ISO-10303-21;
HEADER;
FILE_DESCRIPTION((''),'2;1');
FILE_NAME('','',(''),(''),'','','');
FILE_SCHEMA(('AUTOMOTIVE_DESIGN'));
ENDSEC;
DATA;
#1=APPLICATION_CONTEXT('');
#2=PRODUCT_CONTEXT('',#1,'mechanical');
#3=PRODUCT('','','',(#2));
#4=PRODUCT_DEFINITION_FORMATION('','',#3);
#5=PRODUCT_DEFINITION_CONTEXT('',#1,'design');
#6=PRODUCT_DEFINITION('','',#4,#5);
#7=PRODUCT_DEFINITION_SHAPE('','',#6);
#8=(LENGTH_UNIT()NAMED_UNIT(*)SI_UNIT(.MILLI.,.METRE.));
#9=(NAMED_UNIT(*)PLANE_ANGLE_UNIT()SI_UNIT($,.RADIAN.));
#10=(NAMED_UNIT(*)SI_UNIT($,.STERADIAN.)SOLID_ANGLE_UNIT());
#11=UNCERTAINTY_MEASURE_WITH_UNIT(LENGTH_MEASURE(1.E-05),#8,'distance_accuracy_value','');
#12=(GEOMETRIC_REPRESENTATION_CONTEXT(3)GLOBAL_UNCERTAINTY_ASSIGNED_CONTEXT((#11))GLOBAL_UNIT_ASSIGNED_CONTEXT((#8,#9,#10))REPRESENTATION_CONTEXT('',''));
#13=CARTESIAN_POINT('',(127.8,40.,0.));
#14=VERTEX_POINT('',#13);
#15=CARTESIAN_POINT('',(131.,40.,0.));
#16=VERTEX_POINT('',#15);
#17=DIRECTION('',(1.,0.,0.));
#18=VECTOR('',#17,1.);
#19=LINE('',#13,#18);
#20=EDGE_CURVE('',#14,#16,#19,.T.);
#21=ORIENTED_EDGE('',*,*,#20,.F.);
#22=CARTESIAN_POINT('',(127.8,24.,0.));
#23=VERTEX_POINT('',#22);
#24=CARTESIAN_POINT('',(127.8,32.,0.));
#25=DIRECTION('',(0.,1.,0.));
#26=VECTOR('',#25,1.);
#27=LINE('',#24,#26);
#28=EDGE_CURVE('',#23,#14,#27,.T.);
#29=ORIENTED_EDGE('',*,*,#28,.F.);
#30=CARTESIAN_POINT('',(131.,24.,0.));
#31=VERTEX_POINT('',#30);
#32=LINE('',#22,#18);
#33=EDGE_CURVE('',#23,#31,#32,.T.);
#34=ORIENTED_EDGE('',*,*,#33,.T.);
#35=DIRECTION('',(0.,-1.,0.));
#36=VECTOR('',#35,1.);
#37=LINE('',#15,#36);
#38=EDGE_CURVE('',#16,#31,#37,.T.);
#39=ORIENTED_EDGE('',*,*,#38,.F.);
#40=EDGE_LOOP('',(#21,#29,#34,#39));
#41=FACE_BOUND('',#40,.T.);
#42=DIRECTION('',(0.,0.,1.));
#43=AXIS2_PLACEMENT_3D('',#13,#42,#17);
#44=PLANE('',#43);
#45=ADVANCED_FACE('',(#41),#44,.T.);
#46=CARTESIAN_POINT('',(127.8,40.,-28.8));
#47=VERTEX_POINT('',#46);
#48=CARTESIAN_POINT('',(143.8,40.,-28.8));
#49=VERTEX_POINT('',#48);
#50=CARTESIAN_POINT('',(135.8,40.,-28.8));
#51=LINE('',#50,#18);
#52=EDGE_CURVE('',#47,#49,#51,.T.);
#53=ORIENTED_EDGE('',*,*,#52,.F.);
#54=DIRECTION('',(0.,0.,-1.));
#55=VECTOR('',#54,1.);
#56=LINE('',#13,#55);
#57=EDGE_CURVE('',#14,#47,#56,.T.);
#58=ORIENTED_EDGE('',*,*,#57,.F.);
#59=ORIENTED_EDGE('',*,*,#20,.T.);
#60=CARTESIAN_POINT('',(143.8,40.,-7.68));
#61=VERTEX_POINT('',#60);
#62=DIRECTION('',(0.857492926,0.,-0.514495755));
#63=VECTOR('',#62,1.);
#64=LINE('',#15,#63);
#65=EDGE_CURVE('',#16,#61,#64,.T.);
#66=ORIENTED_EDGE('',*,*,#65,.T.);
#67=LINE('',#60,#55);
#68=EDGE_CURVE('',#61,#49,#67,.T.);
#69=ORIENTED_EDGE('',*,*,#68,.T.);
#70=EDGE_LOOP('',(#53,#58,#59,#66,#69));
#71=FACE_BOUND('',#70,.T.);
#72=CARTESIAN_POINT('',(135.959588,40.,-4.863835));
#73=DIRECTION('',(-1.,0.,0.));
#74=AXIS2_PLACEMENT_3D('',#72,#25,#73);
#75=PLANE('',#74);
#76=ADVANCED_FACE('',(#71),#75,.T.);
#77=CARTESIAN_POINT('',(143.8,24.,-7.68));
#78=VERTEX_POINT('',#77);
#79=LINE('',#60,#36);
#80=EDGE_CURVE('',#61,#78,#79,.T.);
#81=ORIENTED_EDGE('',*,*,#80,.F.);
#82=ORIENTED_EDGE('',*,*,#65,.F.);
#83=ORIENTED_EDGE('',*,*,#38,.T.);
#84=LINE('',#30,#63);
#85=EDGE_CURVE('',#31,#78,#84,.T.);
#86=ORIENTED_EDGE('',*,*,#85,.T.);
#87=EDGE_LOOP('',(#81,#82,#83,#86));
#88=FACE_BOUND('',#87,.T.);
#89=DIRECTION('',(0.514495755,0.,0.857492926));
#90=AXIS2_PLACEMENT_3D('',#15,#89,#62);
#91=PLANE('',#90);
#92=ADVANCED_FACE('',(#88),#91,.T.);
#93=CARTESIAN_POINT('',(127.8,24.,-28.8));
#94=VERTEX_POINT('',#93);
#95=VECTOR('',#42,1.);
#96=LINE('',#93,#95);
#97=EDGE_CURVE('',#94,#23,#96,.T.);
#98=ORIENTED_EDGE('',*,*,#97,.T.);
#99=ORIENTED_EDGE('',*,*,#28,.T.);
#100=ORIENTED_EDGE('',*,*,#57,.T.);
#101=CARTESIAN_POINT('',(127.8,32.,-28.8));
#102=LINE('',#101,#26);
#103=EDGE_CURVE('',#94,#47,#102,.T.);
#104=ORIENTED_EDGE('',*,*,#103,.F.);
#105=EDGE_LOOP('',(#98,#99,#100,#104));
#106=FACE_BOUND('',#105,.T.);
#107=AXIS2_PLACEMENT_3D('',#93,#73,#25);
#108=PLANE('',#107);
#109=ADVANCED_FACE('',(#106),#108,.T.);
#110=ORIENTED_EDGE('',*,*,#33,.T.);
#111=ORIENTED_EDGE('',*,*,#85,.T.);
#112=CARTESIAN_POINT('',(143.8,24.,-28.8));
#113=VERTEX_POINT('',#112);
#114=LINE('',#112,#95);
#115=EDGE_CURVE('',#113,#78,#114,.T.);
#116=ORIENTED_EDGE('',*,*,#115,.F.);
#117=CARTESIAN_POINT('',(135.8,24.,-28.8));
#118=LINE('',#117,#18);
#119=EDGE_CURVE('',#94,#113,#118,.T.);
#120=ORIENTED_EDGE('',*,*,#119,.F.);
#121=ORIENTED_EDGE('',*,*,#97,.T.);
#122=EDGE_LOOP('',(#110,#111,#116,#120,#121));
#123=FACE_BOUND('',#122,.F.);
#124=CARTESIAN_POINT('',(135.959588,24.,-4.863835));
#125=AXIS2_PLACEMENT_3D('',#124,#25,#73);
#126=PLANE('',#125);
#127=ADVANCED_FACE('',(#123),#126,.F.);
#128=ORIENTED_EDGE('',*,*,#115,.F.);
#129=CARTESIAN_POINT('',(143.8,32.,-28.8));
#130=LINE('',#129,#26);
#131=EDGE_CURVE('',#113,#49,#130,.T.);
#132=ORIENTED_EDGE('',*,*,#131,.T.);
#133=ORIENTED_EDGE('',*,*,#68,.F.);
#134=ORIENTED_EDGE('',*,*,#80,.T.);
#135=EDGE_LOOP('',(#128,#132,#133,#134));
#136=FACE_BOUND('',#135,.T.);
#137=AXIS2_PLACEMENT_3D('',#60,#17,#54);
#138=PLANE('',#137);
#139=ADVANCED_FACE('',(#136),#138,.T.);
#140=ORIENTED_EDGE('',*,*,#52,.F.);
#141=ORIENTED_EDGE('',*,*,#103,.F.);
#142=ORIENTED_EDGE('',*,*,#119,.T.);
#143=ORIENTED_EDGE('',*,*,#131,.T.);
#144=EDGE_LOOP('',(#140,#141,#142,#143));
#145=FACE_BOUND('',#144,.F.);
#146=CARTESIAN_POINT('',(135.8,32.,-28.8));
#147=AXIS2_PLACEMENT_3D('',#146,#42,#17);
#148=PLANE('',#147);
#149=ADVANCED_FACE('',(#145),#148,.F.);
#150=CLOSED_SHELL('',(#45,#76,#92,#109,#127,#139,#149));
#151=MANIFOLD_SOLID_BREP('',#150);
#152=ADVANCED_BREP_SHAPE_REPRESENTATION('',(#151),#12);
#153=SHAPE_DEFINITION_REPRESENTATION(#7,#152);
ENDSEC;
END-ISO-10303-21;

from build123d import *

# Parameters (mm, degrees)
SKETCH012_W     = 16
SKETCH012_H     = 16
PAD008_DEPTH    = 28.8
POCKET004_DEPTH = 16
PAD131_DEPTH    = 16


with BuildPart() as part:
    # Sketch012 (on Face88 of Binder004) → Pad008 (new body)
    with BuildSketch(Plane.XY.offset(-28.8)):
        with Locations((135.8, 32)):
            Rectangle(SKETCH012_W, SKETCH012_H)
    extrude(amount=PAD008_DEPTH)

    # Sketch013 (on Face2 of Pad008) → Pocket004 (cut)
    with BuildSketch(Plane.XZ.offset(-24)):
        Polygon((143.8, -9.6), (127.8, 0), (143.8, 0), align=None)
    extrude(amount=-POCKET004_DEPTH, mode=Mode.SUBTRACT)

    # Sketch131 (on Face2 of Pocket004) → Pad131 (join)
    with BuildSketch(Plane(origin=(0, 40, 0), x_dir=(-1, 0, 0), z_dir=(0, 1, 0))):
        Polygon((-127.8, 0), (-131, 0), (-143.8, -7.68), (-143.8, -10.88), (-131, -3.2), (-127.8, -3.2), align=None)
    extrude(amount=-PAD131_DEPTH)


solid = part.part
